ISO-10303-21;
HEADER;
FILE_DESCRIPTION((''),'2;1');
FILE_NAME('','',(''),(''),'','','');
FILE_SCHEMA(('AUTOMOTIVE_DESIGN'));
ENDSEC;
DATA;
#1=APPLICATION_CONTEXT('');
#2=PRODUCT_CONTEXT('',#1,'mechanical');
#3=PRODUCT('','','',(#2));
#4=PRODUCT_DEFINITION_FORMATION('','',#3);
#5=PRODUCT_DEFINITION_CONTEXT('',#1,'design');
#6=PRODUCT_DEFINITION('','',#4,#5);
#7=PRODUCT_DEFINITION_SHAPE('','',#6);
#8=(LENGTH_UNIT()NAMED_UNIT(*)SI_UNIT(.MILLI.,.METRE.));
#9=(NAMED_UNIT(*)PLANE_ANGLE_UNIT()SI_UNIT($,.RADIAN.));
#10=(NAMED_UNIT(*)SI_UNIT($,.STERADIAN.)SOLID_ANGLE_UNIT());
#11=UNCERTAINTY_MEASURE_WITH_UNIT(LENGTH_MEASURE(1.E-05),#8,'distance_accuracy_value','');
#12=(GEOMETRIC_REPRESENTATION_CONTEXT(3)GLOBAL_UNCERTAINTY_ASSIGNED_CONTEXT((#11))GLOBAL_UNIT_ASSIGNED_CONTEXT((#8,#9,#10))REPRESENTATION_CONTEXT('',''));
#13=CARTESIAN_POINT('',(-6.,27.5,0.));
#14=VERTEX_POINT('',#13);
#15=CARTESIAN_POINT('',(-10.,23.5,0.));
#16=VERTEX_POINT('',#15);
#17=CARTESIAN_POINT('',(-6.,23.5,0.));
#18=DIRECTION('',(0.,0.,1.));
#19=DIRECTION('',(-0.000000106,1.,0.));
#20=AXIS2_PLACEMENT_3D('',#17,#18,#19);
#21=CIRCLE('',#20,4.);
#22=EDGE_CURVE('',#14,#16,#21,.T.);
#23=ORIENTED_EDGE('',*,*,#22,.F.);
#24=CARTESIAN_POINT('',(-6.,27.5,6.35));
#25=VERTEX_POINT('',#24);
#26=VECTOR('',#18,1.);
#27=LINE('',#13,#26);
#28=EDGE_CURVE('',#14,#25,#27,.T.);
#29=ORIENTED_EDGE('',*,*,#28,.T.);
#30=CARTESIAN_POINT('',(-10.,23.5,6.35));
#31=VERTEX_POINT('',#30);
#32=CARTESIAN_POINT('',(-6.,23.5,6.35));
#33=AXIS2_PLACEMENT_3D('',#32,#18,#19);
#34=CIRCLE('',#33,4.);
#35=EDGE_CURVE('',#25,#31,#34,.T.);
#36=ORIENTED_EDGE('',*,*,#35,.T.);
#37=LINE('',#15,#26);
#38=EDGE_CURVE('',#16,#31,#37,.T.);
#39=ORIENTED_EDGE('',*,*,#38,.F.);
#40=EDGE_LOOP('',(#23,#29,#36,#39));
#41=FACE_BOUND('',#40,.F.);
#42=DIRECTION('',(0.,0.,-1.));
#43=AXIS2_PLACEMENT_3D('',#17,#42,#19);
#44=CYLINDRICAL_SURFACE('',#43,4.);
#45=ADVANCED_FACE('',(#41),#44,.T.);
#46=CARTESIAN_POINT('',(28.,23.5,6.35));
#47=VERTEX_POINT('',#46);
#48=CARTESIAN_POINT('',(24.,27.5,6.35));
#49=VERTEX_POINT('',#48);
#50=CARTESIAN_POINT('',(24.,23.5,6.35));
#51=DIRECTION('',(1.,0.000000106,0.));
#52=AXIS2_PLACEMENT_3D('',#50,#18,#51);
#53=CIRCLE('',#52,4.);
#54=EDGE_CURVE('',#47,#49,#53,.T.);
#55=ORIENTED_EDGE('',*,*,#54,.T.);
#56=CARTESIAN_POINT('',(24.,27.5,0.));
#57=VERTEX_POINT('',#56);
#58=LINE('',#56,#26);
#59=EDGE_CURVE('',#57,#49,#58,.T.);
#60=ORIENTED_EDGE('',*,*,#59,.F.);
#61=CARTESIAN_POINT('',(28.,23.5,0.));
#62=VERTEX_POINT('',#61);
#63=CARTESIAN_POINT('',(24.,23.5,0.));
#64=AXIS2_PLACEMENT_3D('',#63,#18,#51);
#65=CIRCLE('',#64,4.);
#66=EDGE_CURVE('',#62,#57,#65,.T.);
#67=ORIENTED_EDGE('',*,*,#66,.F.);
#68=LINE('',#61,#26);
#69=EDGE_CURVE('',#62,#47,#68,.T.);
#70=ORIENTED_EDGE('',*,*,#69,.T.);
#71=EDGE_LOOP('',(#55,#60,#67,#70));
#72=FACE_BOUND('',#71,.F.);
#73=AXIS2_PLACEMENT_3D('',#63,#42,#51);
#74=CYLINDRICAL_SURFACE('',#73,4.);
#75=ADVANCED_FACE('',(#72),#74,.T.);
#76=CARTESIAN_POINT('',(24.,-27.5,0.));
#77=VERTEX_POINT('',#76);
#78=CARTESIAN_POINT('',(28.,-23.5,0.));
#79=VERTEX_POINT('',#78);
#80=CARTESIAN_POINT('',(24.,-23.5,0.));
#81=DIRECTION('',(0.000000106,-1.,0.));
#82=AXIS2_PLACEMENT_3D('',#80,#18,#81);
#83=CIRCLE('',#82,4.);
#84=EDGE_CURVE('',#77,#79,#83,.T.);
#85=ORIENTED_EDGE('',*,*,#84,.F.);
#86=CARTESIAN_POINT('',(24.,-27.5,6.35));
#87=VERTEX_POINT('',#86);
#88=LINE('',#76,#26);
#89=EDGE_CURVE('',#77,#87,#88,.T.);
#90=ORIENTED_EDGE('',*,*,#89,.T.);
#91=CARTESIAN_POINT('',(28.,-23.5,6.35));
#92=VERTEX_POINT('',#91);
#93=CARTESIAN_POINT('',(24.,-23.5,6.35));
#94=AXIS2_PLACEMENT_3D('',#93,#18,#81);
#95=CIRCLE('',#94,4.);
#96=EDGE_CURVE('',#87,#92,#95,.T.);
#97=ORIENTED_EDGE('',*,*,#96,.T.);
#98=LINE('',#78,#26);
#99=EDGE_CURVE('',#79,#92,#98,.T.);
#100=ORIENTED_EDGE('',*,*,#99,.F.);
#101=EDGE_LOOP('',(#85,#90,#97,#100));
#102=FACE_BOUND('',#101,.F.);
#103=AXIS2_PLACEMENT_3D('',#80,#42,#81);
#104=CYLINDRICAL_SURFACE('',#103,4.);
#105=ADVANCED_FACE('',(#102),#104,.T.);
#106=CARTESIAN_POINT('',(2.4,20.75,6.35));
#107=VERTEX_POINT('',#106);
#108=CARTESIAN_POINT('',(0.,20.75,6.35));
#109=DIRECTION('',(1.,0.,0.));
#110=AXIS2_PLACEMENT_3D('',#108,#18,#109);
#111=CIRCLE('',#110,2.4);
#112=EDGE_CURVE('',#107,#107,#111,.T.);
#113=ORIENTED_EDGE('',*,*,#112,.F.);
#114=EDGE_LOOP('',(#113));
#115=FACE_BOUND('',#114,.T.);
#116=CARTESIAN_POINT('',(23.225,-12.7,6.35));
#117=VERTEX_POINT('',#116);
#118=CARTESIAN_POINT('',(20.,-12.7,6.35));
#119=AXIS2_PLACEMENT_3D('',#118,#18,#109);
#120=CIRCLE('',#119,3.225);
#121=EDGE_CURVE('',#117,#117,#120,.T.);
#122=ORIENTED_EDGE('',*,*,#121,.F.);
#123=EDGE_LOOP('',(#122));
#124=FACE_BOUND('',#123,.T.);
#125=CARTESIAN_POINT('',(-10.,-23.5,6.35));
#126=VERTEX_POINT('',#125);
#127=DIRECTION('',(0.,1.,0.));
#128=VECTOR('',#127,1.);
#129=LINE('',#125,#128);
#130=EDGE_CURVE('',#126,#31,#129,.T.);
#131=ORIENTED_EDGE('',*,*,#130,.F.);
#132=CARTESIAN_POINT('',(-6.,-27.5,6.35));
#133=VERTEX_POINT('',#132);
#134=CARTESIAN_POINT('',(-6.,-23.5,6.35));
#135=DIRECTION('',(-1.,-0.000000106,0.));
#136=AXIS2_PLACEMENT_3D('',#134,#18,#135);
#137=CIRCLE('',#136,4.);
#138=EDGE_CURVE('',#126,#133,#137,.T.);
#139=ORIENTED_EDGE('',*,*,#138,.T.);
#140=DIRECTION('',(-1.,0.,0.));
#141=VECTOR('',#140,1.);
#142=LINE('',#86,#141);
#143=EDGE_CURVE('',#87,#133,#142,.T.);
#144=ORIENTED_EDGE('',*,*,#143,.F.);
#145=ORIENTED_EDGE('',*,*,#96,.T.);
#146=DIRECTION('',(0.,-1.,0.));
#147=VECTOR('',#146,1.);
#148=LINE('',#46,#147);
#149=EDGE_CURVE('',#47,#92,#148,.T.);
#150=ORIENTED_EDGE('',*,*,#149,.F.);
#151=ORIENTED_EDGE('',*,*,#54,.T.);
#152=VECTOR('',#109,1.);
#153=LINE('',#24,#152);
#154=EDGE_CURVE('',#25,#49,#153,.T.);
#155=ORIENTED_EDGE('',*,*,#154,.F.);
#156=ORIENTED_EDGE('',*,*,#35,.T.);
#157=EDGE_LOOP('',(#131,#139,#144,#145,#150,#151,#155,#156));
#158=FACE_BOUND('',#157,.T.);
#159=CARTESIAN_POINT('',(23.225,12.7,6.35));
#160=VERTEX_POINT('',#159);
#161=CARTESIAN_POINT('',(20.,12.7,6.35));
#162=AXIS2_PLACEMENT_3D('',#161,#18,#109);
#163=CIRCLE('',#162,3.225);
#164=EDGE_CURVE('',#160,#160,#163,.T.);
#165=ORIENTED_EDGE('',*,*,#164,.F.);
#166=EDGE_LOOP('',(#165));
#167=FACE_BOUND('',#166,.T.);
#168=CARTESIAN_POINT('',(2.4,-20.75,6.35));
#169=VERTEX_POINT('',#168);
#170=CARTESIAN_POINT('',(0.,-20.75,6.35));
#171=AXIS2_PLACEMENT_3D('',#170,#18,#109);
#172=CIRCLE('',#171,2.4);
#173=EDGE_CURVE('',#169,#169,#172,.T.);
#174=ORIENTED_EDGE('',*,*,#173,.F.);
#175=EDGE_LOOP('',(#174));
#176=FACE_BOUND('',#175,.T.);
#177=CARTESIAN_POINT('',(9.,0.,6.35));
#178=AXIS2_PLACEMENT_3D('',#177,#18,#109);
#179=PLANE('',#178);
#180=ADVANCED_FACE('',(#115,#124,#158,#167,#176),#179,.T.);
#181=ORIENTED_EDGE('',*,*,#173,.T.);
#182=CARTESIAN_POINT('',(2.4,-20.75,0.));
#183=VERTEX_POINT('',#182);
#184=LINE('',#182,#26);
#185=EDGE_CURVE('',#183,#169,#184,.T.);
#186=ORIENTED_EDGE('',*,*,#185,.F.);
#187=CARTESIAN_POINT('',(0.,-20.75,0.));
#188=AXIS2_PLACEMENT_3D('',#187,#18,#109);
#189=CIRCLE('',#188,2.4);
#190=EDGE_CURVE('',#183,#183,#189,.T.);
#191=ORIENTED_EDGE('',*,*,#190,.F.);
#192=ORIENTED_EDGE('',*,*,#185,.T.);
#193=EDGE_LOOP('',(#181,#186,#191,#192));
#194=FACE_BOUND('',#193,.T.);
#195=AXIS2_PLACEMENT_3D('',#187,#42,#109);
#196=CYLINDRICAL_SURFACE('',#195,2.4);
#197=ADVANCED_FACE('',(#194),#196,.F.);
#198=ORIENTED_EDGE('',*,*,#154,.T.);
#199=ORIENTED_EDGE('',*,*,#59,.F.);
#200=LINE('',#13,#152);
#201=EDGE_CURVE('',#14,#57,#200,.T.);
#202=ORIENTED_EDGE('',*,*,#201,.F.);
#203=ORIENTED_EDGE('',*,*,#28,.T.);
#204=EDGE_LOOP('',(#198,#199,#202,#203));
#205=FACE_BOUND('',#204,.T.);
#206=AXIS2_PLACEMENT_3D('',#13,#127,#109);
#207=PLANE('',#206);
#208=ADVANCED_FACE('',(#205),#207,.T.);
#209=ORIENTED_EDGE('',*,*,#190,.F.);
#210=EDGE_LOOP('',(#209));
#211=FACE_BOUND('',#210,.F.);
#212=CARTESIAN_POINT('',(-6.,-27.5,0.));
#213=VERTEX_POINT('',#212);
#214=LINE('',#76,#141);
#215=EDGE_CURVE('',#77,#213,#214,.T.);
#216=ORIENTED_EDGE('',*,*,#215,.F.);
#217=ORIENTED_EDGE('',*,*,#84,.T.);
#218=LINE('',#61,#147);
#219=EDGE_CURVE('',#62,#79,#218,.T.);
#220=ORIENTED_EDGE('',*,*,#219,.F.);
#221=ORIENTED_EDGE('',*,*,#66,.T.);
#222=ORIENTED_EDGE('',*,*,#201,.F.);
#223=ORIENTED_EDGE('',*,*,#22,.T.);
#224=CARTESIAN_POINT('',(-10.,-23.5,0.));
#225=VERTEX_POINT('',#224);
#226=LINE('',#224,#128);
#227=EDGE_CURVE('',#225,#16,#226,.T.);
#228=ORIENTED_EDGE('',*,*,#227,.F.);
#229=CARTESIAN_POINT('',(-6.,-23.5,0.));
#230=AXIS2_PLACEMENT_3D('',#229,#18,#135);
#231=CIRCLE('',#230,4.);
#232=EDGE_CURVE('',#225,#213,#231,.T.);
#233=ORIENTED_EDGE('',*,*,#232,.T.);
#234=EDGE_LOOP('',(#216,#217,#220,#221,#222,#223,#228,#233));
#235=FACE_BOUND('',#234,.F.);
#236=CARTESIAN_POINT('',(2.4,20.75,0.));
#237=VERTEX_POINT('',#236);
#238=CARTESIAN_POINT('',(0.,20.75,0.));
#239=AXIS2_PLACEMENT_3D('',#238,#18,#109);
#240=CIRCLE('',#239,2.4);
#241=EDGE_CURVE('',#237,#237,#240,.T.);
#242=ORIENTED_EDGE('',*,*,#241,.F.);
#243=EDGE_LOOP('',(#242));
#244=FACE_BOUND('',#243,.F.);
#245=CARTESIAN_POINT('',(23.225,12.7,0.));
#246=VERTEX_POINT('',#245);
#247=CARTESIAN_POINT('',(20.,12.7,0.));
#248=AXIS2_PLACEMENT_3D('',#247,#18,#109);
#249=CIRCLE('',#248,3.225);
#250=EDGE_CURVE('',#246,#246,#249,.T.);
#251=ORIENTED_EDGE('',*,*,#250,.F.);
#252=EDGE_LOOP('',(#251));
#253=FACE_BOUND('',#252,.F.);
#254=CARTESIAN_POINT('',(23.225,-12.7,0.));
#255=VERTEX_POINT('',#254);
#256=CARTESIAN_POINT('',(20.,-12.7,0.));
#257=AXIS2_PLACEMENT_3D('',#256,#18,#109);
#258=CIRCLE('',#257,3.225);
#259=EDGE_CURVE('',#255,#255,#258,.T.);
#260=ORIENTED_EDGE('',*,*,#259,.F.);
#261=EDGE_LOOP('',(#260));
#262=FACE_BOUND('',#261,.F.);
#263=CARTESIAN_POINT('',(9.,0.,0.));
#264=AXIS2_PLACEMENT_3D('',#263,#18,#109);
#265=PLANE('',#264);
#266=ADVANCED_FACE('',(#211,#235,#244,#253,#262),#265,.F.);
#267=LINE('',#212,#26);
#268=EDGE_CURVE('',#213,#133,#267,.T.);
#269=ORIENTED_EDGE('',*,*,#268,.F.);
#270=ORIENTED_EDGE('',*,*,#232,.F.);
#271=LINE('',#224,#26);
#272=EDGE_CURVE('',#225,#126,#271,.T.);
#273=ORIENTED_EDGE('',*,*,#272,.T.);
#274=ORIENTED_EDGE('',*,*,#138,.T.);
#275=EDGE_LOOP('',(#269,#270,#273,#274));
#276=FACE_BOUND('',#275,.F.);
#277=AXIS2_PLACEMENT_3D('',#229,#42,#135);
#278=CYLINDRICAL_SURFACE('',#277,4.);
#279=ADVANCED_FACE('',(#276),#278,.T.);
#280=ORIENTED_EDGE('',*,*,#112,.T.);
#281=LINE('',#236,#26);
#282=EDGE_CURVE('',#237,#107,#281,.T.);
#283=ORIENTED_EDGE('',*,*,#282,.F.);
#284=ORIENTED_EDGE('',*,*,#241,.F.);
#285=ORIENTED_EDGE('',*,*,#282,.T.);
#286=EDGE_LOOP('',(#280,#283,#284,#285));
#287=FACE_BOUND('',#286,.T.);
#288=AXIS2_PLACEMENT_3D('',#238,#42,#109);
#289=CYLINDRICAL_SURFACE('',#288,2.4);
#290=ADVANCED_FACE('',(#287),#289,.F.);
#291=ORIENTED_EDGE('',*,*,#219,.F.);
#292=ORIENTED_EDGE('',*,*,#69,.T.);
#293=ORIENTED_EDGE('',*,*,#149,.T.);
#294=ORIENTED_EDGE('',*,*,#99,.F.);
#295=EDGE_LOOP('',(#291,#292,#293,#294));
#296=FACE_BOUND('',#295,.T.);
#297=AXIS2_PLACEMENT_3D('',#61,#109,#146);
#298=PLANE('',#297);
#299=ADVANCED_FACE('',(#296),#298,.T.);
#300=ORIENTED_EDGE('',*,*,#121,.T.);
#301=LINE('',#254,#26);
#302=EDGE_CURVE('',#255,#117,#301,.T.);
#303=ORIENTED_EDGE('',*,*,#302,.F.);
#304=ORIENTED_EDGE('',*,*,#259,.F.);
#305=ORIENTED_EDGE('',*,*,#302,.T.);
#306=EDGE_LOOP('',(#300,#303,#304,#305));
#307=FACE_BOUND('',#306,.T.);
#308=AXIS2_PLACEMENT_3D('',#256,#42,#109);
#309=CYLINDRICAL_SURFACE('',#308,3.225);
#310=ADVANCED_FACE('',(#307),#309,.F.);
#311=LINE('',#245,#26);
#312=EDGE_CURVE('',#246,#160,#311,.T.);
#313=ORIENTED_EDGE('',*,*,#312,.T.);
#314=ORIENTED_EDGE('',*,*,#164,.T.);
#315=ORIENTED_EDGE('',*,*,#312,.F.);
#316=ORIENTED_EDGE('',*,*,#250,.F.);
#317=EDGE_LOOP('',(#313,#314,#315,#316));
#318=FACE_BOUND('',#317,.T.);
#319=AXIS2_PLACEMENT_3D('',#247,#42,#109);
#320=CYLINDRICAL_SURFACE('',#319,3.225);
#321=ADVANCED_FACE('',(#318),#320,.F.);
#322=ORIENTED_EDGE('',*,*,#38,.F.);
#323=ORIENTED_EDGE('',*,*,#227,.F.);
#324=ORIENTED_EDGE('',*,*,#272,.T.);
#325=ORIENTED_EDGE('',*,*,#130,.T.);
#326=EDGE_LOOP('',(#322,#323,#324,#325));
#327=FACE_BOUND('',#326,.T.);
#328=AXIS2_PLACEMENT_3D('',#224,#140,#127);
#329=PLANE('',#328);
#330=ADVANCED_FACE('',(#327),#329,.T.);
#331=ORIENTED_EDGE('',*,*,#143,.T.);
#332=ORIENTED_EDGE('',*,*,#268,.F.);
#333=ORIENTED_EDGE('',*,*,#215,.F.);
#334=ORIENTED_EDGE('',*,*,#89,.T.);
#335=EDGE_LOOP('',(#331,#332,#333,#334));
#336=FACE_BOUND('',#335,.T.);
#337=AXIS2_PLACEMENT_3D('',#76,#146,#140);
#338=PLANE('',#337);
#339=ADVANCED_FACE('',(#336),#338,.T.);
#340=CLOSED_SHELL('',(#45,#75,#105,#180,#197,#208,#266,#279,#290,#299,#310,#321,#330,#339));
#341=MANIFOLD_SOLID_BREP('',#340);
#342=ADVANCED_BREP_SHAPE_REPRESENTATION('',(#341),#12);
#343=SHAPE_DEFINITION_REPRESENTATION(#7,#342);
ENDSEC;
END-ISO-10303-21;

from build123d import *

# Parameters (mm, degrees)
SKETCH_R   = 2.4
SKETCH_R_2 = 3.225
PAD_DEPTH  = 6.35


with BuildPart() as part:
    # Sketch → Pad (new body)
    with BuildSketch(Plane.XY):
        with BuildLine():
            ThreePointArc((-6, 27.5), (-8.828427, 26.328427), (-10, 23.5))
            Line((-10, -23.5), (-10, 23.5))
            ThreePointArc((-10, -23.5), (-8.828427, -26.328427), (-6, -27.5))
            Line((24, -27.5), (-6, -27.5))
            ThreePointArc((24, -27.5), (26.828427, -26.328427), (28, -23.5))
            Line((28, 23.5), (28, -23.5))
            ThreePointArc((28, 23.5), (26.828427, 26.328427), (24, 27.5))
            Line((-6, 27.5), (24, 27.5))
        make_face()
        with Locations((0, 20.75)):
            Circle(SKETCH_R, mode=Mode.SUBTRACT)
        with Locations((0, -20.75)):
            Circle(SKETCH_R, mode=Mode.SUBTRACT)
        with Locations((20, 12.7)):
            Circle(SKETCH_R_2, mode=Mode.SUBTRACT)
        with Locations((20, -12.7)):
            Circle(SKETCH_R_2, mode=Mode.SUBTRACT)
    extrude(amount=PAD_DEPTH)


solid = part.part
